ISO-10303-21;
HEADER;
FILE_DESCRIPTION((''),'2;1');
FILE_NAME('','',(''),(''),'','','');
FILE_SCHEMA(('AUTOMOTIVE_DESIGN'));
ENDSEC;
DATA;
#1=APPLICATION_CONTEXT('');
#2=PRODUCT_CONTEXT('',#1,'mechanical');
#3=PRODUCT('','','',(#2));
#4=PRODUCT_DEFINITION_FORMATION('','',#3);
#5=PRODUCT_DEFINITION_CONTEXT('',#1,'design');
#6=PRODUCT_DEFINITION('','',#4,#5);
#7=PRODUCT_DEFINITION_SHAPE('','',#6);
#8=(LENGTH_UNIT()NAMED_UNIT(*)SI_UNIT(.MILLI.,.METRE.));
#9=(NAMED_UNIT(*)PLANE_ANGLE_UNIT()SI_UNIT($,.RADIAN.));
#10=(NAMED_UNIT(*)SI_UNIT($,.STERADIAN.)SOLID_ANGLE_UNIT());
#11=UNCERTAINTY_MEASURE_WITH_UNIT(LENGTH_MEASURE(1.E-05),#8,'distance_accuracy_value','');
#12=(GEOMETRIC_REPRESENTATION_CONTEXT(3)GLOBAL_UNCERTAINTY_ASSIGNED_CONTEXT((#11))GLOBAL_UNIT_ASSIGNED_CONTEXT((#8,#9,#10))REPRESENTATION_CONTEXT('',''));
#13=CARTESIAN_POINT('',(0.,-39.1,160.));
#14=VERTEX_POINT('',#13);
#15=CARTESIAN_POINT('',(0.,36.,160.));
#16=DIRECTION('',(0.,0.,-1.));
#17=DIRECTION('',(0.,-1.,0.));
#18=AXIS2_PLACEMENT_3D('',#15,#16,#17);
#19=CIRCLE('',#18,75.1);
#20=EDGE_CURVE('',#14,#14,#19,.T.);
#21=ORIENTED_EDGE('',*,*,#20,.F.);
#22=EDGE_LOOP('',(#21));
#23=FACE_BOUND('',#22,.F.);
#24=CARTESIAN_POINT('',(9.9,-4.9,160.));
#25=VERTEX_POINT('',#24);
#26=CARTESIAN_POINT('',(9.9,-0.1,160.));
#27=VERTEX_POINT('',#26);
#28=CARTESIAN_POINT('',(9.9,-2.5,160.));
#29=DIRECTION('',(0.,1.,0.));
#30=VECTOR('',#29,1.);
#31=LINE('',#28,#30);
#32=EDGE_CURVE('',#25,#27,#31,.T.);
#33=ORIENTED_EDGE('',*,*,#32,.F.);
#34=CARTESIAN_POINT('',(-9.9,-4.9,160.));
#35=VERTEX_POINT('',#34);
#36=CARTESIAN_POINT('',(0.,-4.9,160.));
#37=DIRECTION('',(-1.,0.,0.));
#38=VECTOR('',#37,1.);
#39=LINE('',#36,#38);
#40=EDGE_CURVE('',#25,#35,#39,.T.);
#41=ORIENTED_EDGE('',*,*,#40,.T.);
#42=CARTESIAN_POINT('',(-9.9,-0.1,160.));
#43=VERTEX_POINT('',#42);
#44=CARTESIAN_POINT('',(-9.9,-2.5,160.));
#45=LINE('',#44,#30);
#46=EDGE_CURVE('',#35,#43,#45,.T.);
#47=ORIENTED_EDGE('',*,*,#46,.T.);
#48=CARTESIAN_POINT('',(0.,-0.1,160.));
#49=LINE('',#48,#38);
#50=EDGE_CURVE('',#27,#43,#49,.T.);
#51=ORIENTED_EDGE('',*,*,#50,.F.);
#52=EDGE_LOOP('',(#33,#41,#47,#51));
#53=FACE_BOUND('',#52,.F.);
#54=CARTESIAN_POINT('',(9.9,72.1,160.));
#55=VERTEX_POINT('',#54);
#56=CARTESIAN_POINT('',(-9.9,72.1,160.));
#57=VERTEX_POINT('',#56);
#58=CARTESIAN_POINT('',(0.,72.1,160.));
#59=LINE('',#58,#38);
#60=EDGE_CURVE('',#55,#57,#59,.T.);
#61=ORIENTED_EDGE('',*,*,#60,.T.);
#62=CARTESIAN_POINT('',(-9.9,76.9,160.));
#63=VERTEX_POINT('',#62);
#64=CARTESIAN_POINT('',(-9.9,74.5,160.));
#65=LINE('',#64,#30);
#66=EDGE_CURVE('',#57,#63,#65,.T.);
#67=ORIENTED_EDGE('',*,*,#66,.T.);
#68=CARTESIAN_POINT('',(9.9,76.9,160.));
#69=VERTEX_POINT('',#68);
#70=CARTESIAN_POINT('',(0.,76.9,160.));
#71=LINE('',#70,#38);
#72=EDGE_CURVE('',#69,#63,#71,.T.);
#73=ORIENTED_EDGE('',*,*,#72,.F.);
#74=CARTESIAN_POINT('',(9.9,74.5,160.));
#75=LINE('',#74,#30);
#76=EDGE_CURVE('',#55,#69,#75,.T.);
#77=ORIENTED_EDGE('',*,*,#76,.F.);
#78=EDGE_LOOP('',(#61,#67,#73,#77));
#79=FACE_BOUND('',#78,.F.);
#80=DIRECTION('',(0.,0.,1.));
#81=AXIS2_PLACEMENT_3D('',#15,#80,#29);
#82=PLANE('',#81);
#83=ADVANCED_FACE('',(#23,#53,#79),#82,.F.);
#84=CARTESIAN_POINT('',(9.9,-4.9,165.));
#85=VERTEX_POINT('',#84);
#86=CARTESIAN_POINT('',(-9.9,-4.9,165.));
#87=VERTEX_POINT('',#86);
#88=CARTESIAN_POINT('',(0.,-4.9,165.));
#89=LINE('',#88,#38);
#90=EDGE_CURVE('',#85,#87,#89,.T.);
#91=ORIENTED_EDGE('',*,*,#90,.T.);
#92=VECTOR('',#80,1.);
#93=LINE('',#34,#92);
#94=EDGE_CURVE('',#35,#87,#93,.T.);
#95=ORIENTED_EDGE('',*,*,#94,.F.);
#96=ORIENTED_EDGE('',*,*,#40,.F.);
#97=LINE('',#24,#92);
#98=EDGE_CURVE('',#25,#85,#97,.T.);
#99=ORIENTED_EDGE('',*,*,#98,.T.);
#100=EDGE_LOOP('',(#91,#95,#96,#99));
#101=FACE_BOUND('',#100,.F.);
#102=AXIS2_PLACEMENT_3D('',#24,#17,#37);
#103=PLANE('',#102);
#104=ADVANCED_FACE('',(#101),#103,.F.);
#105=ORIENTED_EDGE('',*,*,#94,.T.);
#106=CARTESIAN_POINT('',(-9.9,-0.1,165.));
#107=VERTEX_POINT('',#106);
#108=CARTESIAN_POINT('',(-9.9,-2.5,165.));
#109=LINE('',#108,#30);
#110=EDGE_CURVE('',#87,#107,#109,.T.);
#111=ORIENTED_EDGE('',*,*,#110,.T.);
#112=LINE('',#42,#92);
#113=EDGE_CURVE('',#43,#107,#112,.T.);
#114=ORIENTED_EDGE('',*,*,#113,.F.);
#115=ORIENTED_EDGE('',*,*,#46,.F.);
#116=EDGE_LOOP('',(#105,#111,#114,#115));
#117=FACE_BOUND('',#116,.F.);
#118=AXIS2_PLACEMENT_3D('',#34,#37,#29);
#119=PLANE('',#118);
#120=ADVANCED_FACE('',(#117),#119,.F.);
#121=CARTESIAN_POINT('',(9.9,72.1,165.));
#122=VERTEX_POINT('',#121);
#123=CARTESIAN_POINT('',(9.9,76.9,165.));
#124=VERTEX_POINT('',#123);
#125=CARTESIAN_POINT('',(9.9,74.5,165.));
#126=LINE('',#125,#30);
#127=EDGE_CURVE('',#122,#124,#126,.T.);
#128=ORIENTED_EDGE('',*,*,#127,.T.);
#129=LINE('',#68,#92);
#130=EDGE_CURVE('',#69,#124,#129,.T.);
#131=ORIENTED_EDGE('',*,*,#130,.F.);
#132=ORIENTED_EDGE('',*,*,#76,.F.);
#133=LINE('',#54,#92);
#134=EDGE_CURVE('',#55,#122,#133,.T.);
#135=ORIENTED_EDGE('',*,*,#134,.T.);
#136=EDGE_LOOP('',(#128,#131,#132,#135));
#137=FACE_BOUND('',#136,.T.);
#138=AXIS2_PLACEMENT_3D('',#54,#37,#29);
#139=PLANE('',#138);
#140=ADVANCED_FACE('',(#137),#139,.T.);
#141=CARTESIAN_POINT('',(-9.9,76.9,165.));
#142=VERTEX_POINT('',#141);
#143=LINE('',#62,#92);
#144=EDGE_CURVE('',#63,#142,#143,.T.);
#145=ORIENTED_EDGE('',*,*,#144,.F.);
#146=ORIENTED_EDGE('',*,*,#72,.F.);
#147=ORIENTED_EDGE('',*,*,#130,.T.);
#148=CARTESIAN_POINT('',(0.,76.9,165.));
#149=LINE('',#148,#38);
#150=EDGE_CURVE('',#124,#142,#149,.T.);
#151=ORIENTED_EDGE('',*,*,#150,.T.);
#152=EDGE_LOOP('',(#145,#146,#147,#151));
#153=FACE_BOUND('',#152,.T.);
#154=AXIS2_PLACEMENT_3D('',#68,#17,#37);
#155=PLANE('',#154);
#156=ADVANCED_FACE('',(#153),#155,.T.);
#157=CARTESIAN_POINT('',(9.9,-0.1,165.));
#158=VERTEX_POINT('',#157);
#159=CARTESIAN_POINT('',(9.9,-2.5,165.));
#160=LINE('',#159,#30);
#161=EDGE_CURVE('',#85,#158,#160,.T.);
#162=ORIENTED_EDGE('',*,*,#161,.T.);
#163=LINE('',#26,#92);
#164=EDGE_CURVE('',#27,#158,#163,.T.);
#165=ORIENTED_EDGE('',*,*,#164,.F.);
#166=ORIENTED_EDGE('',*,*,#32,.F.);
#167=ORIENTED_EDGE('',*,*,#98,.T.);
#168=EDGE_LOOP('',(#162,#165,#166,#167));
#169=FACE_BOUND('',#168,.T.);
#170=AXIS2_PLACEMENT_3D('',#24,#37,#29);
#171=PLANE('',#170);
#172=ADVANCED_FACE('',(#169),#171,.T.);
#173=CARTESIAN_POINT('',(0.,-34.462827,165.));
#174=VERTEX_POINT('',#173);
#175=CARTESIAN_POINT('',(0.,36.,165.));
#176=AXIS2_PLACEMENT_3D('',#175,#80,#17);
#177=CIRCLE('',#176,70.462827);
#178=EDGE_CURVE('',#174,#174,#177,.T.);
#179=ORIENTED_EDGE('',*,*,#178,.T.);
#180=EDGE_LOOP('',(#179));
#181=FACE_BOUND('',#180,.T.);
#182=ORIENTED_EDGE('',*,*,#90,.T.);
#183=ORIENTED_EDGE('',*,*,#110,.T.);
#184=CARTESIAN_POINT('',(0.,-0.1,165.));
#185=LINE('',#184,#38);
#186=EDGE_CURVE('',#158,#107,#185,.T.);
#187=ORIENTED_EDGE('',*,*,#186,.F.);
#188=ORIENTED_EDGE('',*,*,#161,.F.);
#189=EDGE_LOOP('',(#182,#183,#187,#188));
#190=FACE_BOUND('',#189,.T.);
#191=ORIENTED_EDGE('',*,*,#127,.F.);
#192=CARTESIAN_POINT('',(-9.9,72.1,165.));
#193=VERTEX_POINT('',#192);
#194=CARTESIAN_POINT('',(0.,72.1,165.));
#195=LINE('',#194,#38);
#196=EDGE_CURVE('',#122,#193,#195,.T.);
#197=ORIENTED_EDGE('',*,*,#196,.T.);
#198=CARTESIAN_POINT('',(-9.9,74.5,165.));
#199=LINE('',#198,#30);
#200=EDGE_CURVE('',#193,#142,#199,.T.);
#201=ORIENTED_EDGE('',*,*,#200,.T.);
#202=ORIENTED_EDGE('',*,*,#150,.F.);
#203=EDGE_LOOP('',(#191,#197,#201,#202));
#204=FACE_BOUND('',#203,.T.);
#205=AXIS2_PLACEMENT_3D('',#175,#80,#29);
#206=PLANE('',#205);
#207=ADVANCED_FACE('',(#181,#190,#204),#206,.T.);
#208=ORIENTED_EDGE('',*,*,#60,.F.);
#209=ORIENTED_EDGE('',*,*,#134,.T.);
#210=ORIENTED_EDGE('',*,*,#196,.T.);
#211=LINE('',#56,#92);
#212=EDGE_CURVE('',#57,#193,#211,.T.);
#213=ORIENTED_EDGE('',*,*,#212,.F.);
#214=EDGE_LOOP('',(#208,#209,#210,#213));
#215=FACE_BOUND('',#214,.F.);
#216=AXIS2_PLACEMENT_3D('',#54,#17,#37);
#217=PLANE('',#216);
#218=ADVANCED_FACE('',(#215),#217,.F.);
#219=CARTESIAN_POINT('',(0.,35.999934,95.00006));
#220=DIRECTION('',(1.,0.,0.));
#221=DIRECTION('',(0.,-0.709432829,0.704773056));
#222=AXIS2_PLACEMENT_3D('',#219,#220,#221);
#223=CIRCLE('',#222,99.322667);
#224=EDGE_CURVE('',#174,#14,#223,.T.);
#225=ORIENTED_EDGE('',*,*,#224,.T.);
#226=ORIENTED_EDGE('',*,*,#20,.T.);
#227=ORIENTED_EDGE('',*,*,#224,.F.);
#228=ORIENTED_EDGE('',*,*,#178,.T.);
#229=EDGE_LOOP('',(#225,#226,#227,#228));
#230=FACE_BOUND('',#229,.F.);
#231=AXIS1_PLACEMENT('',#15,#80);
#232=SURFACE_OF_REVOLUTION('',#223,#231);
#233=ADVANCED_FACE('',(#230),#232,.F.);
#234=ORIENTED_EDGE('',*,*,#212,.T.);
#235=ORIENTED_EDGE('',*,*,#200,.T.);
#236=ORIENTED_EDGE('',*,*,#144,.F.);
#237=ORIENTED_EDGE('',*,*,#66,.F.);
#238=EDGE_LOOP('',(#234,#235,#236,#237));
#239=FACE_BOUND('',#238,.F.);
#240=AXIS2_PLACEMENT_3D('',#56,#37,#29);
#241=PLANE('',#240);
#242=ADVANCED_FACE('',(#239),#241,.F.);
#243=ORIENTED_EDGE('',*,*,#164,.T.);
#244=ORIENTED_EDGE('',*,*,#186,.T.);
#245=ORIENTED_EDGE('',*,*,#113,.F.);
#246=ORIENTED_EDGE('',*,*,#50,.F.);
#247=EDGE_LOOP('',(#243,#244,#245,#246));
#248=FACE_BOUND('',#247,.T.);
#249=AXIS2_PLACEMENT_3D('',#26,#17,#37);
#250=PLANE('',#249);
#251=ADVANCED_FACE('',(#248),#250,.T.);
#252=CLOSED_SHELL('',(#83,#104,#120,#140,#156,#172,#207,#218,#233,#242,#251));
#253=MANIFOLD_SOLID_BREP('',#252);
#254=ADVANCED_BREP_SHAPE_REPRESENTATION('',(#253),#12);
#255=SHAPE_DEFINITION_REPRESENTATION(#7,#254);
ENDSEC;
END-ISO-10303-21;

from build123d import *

# Parameters (mm, degrees)
SKETCH018_R         = 75.1
SKETCH018_W         = 4.8
SKETCH018_H         = 19.8
PAD018_DEPTH        = 5
CUT_PLACEMENT_ANGLE = 90


with BuildPart() as revolution:
    # Sketch019 → Revolution (revolve)
    with BuildSketch(Plane.XZ):
        with BuildLine():
            Line((-75.1, 0), (-75.1, 5))
            Line((-75.1, 5), (-70.462827, 5))
            ThreePointArc((-70.462827, 5), (-72.824338, 2.539809), (-75.1, 0))
        make_face()
    revolve(axis=Axis((0, 0, 0), (0, 0, 1)))


with BuildPart() as bowlsupport:
    # Sketch018 → Pad018 (new body)
    with BuildSketch(Plane.XY):
        Circle(SKETCH018_R)
        with Locations((-38.5, 0)):
            Rectangle(SKETCH018_W, SKETCH018_H, mode=Mode.SUBTRACT)
        with Locations((38.5, 0)):
            Rectangle(SKETCH018_W, SKETCH018_H, mode=Mode.SUBTRACT)
    extrude(amount=PAD018_DEPTH)

    # Cut: cut Revolution
    add(revolution.part, mode=Mode.SUBTRACT)


with BuildPart() as bowlsupport_1:
    # Cut placement: moved
    add(bowlsupport.part.moved(Location((0, 36, 160))).rotate(Axis((0, 36, 160), (0, 0, 1)), CUT_PLACEMENT_ANGLE))


solid = bowlsupport_1.part
